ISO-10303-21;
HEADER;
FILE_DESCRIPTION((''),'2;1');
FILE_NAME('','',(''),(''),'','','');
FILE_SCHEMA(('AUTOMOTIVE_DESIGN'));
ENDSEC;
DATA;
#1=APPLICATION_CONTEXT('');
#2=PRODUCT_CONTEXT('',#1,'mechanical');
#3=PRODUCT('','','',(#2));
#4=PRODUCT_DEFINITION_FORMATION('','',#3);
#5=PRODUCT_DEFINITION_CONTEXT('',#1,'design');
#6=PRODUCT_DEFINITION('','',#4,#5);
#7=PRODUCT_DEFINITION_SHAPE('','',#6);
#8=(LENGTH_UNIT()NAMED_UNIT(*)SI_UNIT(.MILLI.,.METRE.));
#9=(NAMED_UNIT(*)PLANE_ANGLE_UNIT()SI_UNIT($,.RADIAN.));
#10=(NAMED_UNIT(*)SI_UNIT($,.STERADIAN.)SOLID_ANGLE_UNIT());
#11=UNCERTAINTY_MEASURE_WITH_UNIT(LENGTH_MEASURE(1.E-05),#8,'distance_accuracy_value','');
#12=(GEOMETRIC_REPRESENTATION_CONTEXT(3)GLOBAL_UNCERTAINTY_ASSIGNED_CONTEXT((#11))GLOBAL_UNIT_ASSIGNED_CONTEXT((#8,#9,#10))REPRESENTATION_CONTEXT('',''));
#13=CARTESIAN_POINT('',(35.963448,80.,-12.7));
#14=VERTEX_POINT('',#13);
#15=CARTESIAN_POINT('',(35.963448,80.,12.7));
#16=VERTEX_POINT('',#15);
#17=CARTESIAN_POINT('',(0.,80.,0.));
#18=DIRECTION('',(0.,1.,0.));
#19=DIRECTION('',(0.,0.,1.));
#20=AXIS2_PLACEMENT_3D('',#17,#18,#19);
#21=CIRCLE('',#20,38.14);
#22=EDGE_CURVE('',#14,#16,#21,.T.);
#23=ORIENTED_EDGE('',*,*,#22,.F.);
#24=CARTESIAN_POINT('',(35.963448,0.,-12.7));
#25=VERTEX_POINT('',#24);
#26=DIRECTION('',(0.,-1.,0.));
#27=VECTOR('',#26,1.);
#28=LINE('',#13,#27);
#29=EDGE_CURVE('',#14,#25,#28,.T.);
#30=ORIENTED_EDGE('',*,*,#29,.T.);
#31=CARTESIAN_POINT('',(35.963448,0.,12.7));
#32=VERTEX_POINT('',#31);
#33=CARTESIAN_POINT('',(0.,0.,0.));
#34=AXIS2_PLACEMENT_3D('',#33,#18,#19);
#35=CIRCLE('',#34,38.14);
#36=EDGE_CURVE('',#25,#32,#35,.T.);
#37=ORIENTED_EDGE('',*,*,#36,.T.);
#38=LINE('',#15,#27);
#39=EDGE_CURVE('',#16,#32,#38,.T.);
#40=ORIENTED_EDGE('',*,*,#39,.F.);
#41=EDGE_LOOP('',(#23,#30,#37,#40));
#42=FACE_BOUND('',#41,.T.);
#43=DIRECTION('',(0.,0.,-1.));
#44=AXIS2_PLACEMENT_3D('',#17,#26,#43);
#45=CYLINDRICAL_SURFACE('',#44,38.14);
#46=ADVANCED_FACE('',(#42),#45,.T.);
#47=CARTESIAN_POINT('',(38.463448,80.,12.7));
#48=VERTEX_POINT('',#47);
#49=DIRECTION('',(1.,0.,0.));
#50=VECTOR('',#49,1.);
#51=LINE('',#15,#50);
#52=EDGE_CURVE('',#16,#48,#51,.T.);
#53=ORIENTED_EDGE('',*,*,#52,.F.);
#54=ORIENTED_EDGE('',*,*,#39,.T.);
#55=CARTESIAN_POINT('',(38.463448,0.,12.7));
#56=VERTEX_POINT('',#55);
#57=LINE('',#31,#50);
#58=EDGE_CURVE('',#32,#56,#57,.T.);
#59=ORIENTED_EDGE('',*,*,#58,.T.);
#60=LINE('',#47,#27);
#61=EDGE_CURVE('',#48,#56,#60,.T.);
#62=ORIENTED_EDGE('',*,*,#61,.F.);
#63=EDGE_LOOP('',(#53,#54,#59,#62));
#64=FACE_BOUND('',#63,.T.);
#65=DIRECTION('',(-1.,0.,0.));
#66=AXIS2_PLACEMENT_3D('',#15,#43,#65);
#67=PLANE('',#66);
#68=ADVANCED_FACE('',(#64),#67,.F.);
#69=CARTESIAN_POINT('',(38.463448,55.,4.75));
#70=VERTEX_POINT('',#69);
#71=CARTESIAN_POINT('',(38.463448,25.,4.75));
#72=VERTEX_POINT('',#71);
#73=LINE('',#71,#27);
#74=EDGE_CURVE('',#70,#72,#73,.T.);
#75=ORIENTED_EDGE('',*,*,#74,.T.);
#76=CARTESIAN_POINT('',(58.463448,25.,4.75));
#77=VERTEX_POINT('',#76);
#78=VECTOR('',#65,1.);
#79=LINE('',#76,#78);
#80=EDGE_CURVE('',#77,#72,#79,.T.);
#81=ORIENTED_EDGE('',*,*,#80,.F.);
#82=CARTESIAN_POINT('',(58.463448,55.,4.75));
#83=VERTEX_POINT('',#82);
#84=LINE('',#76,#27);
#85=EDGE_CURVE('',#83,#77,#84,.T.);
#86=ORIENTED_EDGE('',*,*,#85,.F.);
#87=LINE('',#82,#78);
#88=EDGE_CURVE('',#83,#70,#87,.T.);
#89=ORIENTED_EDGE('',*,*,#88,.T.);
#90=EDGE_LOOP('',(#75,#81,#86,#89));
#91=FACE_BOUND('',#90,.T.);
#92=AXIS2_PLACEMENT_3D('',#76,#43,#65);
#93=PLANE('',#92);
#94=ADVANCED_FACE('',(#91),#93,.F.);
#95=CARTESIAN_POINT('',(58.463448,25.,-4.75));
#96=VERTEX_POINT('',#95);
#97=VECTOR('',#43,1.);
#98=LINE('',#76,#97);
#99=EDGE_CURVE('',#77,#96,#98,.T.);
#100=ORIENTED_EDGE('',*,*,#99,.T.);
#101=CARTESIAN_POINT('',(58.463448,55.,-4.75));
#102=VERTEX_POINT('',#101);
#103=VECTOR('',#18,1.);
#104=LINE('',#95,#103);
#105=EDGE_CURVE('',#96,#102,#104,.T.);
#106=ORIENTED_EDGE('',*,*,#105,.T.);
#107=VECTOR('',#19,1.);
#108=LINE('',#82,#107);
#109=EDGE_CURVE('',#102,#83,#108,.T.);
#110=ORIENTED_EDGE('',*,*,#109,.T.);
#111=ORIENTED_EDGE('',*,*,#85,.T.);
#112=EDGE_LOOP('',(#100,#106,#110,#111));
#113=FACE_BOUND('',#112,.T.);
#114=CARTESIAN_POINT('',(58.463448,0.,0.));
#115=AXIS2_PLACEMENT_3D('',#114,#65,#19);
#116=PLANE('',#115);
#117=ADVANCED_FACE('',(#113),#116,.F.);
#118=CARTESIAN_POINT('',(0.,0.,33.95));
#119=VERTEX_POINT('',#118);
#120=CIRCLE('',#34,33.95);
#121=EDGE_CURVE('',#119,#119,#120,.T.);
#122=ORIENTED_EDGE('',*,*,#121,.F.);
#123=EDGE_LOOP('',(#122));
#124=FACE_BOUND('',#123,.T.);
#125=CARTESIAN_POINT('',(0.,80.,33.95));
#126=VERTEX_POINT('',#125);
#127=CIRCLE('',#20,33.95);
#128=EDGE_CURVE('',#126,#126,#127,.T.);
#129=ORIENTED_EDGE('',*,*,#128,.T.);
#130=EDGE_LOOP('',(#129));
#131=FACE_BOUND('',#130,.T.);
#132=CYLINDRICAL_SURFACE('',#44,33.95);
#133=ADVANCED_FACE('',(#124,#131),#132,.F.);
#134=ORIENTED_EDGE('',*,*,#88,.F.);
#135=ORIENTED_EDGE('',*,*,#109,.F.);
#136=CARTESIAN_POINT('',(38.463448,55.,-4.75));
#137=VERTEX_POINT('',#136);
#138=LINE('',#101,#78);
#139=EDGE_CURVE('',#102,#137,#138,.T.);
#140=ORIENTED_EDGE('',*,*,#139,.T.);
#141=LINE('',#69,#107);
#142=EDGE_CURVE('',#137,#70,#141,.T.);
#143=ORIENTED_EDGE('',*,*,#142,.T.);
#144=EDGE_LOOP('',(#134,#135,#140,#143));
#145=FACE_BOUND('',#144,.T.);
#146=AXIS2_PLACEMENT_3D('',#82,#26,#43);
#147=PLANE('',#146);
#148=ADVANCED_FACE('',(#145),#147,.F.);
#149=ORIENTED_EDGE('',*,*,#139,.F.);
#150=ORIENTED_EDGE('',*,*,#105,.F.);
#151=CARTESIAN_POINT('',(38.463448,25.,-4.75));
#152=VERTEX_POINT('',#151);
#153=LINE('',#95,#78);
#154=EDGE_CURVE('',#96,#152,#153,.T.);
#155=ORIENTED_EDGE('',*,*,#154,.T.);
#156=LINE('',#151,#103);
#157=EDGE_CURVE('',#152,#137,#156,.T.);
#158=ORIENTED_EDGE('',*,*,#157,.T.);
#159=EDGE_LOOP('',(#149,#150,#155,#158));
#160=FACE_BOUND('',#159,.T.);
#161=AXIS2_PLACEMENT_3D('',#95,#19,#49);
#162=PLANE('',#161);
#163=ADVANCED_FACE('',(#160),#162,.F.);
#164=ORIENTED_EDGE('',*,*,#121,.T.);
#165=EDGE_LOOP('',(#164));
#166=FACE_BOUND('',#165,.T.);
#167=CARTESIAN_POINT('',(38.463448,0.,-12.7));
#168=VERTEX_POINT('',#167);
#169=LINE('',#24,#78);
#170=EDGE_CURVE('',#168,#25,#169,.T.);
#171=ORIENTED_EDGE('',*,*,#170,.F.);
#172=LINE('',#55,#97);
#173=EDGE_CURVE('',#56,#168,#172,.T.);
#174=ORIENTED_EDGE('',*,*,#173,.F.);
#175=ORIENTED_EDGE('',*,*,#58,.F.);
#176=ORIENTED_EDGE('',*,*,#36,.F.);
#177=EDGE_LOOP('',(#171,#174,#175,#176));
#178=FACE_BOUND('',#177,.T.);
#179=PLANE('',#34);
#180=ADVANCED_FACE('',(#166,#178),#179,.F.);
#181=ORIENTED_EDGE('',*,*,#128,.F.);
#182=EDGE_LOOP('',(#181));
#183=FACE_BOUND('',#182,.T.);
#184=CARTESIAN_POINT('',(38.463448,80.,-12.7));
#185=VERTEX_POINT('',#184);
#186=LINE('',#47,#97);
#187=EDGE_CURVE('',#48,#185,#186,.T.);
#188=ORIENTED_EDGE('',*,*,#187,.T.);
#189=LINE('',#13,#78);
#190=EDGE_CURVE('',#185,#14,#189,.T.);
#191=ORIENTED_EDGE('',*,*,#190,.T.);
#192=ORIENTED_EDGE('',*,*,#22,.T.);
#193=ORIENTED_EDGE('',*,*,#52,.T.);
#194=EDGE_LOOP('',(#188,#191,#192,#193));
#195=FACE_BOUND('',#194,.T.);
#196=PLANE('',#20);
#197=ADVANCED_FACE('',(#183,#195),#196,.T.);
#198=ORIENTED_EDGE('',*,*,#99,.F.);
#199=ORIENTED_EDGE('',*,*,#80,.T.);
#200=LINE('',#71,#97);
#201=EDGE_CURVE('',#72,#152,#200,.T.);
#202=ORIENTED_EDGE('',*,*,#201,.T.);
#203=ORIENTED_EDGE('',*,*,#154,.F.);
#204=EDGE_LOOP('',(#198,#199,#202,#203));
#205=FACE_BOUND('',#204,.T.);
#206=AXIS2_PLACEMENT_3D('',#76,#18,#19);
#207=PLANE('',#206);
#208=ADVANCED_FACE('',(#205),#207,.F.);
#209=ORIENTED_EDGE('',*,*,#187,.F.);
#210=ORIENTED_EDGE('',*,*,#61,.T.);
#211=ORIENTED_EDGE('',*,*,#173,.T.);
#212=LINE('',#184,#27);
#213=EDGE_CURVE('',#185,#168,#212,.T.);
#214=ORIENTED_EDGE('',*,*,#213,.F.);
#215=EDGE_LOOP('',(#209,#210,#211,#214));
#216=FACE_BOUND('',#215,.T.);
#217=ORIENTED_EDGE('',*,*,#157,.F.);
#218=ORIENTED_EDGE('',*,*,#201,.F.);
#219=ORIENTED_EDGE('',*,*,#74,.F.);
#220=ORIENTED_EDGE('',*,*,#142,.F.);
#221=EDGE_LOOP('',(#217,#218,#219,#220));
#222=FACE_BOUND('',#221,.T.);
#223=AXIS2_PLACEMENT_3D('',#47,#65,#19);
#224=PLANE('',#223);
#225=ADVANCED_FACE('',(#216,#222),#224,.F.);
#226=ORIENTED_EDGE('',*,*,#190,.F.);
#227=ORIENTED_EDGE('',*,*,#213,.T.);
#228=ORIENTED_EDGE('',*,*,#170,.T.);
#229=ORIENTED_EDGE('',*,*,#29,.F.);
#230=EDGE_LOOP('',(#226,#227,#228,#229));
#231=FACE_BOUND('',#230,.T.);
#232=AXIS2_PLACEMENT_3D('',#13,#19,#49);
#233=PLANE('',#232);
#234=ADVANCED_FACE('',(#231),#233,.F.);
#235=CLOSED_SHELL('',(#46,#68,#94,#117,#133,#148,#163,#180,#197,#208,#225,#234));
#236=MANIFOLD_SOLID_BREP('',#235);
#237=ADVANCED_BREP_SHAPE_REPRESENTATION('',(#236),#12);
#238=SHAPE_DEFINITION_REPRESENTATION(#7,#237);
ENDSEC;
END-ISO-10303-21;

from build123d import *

# Parameters (mm, degrees)
SKETCH1_R           = 33.95
BOSS_EXTRUDE1_DEPTH = 80
SKETCH2_W           = 9.5
SKETCH2_H           = 30
BOSS_EXTRUDE2_DEPTH = 20


with BuildPart() as part:
    # Sketch1 → Boss-Extrude1 (new body)
    with BuildSketch(Plane(origin=(0, 0, 0), x_dir=(1, 0, 0), z_dir=(0, 1, 0))):
        with BuildLine():
            Line((35.963448111, -12.7), (38.463448111, -12.7))
            Line((38.463448111, -12.7), (38.463448111, 12.7))
            Line((38.463448111, 12.7), (35.963448111, 12.7))
            ThreePointArc((35.963448111, 12.7), (-38.14, 0), (35.963448111, -12.7))
        make_face()
        with Locations(Location((0, 0, 0), (0, 0, 270))):
            Circle(SKETCH1_R, mode=Mode.SUBTRACT)
    extrude(amount=BOSS_EXTRUDE1_DEPTH)

    # Sketch2 → Boss-Extrude2 (add)
    with BuildSketch(Plane(origin=(38.463448111, 0, 0), x_dir=(0, 0, -1), z_dir=(1, 0, 0))):
        with Locations((0, 40)):
            Rectangle(SKETCH2_W, SKETCH2_H)
    extrude(amount=BOSS_EXTRUDE2_DEPTH)


solid = part.part
